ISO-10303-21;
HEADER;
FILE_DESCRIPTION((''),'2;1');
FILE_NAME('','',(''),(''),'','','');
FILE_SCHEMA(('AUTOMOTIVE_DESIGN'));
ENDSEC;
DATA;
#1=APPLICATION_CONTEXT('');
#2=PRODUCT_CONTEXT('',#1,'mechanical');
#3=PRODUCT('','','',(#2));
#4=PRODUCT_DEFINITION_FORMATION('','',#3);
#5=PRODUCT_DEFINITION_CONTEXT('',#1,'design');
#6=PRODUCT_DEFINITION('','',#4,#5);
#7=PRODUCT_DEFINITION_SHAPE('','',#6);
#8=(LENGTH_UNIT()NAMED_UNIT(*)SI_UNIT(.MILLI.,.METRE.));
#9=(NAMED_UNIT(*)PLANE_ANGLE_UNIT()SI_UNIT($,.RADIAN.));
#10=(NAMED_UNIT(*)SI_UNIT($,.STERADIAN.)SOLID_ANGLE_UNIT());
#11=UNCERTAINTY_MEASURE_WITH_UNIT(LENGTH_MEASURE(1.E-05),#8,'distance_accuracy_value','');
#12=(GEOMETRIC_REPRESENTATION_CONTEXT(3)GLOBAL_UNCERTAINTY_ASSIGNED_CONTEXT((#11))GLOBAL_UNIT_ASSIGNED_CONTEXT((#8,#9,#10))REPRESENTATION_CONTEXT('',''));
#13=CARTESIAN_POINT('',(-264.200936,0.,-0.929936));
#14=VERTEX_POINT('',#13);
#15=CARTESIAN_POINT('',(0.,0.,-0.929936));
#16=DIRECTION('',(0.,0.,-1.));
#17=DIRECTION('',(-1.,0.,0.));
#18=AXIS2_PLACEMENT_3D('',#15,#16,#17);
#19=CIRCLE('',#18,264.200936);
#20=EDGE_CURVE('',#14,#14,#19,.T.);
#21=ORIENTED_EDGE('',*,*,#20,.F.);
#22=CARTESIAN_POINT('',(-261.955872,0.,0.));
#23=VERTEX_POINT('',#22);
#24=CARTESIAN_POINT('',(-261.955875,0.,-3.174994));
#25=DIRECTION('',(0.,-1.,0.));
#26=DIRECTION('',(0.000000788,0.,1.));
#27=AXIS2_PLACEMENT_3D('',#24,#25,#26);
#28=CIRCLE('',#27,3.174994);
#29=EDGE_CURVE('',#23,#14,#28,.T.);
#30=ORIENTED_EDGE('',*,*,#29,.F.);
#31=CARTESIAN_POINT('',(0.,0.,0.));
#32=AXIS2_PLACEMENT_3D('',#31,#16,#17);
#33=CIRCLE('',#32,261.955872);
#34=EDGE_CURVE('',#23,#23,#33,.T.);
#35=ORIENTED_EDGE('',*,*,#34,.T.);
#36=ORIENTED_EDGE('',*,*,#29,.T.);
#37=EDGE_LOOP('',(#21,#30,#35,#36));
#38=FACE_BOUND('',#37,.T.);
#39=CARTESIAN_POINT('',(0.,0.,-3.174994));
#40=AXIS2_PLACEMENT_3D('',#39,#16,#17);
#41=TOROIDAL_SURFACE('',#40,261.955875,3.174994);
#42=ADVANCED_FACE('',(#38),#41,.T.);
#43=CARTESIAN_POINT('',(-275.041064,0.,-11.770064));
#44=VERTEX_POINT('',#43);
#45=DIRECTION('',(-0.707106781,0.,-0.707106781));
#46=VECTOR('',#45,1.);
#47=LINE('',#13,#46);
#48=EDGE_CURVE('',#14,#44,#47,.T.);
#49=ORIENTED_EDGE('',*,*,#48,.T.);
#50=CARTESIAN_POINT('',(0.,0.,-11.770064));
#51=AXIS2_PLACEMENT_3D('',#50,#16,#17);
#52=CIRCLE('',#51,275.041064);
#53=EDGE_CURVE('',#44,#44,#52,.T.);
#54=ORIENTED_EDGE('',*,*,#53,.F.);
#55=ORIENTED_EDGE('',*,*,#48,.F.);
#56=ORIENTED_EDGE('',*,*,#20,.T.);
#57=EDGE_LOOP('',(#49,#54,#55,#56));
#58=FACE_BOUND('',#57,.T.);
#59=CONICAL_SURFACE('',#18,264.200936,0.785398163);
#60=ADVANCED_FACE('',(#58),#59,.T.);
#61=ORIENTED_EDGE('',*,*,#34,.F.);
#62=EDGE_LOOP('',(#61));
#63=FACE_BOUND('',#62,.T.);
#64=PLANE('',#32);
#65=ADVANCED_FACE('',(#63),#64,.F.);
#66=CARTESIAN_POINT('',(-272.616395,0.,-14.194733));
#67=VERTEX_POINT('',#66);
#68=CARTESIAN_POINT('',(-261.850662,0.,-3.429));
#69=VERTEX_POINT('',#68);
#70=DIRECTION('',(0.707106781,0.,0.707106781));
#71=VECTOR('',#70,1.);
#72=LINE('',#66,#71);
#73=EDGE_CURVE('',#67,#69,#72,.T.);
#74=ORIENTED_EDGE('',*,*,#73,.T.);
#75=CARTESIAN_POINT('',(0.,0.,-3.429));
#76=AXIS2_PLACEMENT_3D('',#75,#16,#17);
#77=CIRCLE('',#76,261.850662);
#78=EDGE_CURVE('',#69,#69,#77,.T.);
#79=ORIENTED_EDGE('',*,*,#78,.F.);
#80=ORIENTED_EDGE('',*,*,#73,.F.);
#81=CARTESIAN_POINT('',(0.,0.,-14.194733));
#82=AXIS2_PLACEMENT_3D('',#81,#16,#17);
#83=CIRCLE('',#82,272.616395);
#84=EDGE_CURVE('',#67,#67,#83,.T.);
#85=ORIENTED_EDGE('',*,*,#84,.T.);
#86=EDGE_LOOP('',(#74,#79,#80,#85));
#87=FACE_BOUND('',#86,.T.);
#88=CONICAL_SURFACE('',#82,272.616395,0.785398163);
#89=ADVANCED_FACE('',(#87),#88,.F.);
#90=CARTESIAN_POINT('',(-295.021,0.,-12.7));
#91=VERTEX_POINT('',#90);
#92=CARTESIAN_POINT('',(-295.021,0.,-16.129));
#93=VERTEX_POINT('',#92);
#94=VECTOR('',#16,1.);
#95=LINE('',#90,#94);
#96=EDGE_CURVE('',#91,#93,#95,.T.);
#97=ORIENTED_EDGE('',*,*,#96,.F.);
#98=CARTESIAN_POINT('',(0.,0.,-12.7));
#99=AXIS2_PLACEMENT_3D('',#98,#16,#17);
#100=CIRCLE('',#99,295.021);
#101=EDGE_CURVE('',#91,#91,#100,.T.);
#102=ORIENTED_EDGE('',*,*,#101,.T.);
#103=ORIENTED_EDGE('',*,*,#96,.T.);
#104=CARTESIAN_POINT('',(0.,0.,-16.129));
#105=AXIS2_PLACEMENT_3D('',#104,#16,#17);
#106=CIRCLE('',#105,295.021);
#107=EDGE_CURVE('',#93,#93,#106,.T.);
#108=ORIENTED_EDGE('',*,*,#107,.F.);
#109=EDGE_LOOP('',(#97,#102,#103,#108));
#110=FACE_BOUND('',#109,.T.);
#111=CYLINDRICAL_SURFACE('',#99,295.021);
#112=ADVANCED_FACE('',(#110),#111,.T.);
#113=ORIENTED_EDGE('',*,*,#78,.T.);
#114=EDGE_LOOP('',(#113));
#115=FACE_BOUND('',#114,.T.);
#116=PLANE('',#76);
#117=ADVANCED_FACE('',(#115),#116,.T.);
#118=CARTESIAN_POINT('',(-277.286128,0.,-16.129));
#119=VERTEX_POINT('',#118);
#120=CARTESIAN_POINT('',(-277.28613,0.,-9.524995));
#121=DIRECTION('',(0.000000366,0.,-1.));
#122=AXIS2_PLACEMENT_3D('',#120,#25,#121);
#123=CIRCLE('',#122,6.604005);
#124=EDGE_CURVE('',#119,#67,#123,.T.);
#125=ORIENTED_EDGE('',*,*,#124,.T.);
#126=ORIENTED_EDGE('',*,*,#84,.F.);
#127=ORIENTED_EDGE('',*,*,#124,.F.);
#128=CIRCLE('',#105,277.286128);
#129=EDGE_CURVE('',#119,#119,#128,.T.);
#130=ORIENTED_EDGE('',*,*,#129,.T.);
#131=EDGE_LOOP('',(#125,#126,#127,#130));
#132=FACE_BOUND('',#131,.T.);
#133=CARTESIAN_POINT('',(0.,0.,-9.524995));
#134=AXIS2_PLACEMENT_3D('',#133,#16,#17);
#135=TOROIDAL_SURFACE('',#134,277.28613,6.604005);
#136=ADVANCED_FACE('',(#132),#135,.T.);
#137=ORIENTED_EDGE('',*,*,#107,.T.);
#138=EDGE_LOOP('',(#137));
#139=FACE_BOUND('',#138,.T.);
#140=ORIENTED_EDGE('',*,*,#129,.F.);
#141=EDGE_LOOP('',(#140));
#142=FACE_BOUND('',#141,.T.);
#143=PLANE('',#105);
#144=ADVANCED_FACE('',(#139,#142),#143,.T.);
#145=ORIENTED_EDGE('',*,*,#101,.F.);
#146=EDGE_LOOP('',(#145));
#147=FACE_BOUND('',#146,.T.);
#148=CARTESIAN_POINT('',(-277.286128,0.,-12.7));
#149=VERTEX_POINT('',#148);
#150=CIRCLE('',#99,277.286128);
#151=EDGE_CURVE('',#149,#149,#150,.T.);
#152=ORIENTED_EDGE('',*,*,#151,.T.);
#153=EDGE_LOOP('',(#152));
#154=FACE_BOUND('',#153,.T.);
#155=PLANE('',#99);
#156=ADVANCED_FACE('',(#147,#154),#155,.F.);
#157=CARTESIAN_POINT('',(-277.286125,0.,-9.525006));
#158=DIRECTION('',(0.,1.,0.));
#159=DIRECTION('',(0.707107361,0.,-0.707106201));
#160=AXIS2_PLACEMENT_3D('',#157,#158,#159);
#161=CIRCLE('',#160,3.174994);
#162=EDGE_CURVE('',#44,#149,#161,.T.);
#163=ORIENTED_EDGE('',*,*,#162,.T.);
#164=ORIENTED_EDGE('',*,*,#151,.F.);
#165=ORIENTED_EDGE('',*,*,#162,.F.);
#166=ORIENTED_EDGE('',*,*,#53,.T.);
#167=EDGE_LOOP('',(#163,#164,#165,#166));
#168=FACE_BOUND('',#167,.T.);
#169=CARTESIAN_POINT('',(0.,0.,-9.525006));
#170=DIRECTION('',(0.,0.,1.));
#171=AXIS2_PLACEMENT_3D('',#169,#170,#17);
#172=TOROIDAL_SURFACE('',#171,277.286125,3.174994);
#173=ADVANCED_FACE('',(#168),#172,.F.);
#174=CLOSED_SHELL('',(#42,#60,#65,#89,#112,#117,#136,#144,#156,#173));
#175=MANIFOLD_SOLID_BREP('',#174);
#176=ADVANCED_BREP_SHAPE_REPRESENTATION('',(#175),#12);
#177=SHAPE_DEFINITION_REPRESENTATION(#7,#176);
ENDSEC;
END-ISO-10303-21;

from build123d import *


with BuildPart() as f1:
    # F0 (on Front) → F1 (revolve)
    with BuildSketch(Plane.XZ):
        with BuildLine():
            Line((0, -3.429), (0, 0))
            Line((0, 0), (-261.955872, 0))
            ThreePointArc((-261.955872, 0), (-263.170892, -0.241682), (-264.200936, -0.929936))
            Line((-264.200936, -0.929936), (-275.041064, -11.770064))
            ThreePointArc((-275.041064, -11.770064), (-276.071108, -12.458318), (-277.286128, -12.7))
            Line((-277.286128, -12.7), (-295.021, -12.7))
            Line((-295.021, -12.7), (-295.021, -16.129))
            Line((-295.021, -16.129), (-277.286128, -16.129))
            ThreePointArc((-277.286128, -16.129), (-274.758887, -15.6263), (-272.616395, -14.194733))
            Line((-272.616395, -14.194733), (-261.850662, -3.429))
            Line((-261.850662, -3.429), (0, -3.429))
        make_face()
    revolve(axis=Axis((0, 0, -1.7145), (0, 0, -1)))


solid = f1.part
